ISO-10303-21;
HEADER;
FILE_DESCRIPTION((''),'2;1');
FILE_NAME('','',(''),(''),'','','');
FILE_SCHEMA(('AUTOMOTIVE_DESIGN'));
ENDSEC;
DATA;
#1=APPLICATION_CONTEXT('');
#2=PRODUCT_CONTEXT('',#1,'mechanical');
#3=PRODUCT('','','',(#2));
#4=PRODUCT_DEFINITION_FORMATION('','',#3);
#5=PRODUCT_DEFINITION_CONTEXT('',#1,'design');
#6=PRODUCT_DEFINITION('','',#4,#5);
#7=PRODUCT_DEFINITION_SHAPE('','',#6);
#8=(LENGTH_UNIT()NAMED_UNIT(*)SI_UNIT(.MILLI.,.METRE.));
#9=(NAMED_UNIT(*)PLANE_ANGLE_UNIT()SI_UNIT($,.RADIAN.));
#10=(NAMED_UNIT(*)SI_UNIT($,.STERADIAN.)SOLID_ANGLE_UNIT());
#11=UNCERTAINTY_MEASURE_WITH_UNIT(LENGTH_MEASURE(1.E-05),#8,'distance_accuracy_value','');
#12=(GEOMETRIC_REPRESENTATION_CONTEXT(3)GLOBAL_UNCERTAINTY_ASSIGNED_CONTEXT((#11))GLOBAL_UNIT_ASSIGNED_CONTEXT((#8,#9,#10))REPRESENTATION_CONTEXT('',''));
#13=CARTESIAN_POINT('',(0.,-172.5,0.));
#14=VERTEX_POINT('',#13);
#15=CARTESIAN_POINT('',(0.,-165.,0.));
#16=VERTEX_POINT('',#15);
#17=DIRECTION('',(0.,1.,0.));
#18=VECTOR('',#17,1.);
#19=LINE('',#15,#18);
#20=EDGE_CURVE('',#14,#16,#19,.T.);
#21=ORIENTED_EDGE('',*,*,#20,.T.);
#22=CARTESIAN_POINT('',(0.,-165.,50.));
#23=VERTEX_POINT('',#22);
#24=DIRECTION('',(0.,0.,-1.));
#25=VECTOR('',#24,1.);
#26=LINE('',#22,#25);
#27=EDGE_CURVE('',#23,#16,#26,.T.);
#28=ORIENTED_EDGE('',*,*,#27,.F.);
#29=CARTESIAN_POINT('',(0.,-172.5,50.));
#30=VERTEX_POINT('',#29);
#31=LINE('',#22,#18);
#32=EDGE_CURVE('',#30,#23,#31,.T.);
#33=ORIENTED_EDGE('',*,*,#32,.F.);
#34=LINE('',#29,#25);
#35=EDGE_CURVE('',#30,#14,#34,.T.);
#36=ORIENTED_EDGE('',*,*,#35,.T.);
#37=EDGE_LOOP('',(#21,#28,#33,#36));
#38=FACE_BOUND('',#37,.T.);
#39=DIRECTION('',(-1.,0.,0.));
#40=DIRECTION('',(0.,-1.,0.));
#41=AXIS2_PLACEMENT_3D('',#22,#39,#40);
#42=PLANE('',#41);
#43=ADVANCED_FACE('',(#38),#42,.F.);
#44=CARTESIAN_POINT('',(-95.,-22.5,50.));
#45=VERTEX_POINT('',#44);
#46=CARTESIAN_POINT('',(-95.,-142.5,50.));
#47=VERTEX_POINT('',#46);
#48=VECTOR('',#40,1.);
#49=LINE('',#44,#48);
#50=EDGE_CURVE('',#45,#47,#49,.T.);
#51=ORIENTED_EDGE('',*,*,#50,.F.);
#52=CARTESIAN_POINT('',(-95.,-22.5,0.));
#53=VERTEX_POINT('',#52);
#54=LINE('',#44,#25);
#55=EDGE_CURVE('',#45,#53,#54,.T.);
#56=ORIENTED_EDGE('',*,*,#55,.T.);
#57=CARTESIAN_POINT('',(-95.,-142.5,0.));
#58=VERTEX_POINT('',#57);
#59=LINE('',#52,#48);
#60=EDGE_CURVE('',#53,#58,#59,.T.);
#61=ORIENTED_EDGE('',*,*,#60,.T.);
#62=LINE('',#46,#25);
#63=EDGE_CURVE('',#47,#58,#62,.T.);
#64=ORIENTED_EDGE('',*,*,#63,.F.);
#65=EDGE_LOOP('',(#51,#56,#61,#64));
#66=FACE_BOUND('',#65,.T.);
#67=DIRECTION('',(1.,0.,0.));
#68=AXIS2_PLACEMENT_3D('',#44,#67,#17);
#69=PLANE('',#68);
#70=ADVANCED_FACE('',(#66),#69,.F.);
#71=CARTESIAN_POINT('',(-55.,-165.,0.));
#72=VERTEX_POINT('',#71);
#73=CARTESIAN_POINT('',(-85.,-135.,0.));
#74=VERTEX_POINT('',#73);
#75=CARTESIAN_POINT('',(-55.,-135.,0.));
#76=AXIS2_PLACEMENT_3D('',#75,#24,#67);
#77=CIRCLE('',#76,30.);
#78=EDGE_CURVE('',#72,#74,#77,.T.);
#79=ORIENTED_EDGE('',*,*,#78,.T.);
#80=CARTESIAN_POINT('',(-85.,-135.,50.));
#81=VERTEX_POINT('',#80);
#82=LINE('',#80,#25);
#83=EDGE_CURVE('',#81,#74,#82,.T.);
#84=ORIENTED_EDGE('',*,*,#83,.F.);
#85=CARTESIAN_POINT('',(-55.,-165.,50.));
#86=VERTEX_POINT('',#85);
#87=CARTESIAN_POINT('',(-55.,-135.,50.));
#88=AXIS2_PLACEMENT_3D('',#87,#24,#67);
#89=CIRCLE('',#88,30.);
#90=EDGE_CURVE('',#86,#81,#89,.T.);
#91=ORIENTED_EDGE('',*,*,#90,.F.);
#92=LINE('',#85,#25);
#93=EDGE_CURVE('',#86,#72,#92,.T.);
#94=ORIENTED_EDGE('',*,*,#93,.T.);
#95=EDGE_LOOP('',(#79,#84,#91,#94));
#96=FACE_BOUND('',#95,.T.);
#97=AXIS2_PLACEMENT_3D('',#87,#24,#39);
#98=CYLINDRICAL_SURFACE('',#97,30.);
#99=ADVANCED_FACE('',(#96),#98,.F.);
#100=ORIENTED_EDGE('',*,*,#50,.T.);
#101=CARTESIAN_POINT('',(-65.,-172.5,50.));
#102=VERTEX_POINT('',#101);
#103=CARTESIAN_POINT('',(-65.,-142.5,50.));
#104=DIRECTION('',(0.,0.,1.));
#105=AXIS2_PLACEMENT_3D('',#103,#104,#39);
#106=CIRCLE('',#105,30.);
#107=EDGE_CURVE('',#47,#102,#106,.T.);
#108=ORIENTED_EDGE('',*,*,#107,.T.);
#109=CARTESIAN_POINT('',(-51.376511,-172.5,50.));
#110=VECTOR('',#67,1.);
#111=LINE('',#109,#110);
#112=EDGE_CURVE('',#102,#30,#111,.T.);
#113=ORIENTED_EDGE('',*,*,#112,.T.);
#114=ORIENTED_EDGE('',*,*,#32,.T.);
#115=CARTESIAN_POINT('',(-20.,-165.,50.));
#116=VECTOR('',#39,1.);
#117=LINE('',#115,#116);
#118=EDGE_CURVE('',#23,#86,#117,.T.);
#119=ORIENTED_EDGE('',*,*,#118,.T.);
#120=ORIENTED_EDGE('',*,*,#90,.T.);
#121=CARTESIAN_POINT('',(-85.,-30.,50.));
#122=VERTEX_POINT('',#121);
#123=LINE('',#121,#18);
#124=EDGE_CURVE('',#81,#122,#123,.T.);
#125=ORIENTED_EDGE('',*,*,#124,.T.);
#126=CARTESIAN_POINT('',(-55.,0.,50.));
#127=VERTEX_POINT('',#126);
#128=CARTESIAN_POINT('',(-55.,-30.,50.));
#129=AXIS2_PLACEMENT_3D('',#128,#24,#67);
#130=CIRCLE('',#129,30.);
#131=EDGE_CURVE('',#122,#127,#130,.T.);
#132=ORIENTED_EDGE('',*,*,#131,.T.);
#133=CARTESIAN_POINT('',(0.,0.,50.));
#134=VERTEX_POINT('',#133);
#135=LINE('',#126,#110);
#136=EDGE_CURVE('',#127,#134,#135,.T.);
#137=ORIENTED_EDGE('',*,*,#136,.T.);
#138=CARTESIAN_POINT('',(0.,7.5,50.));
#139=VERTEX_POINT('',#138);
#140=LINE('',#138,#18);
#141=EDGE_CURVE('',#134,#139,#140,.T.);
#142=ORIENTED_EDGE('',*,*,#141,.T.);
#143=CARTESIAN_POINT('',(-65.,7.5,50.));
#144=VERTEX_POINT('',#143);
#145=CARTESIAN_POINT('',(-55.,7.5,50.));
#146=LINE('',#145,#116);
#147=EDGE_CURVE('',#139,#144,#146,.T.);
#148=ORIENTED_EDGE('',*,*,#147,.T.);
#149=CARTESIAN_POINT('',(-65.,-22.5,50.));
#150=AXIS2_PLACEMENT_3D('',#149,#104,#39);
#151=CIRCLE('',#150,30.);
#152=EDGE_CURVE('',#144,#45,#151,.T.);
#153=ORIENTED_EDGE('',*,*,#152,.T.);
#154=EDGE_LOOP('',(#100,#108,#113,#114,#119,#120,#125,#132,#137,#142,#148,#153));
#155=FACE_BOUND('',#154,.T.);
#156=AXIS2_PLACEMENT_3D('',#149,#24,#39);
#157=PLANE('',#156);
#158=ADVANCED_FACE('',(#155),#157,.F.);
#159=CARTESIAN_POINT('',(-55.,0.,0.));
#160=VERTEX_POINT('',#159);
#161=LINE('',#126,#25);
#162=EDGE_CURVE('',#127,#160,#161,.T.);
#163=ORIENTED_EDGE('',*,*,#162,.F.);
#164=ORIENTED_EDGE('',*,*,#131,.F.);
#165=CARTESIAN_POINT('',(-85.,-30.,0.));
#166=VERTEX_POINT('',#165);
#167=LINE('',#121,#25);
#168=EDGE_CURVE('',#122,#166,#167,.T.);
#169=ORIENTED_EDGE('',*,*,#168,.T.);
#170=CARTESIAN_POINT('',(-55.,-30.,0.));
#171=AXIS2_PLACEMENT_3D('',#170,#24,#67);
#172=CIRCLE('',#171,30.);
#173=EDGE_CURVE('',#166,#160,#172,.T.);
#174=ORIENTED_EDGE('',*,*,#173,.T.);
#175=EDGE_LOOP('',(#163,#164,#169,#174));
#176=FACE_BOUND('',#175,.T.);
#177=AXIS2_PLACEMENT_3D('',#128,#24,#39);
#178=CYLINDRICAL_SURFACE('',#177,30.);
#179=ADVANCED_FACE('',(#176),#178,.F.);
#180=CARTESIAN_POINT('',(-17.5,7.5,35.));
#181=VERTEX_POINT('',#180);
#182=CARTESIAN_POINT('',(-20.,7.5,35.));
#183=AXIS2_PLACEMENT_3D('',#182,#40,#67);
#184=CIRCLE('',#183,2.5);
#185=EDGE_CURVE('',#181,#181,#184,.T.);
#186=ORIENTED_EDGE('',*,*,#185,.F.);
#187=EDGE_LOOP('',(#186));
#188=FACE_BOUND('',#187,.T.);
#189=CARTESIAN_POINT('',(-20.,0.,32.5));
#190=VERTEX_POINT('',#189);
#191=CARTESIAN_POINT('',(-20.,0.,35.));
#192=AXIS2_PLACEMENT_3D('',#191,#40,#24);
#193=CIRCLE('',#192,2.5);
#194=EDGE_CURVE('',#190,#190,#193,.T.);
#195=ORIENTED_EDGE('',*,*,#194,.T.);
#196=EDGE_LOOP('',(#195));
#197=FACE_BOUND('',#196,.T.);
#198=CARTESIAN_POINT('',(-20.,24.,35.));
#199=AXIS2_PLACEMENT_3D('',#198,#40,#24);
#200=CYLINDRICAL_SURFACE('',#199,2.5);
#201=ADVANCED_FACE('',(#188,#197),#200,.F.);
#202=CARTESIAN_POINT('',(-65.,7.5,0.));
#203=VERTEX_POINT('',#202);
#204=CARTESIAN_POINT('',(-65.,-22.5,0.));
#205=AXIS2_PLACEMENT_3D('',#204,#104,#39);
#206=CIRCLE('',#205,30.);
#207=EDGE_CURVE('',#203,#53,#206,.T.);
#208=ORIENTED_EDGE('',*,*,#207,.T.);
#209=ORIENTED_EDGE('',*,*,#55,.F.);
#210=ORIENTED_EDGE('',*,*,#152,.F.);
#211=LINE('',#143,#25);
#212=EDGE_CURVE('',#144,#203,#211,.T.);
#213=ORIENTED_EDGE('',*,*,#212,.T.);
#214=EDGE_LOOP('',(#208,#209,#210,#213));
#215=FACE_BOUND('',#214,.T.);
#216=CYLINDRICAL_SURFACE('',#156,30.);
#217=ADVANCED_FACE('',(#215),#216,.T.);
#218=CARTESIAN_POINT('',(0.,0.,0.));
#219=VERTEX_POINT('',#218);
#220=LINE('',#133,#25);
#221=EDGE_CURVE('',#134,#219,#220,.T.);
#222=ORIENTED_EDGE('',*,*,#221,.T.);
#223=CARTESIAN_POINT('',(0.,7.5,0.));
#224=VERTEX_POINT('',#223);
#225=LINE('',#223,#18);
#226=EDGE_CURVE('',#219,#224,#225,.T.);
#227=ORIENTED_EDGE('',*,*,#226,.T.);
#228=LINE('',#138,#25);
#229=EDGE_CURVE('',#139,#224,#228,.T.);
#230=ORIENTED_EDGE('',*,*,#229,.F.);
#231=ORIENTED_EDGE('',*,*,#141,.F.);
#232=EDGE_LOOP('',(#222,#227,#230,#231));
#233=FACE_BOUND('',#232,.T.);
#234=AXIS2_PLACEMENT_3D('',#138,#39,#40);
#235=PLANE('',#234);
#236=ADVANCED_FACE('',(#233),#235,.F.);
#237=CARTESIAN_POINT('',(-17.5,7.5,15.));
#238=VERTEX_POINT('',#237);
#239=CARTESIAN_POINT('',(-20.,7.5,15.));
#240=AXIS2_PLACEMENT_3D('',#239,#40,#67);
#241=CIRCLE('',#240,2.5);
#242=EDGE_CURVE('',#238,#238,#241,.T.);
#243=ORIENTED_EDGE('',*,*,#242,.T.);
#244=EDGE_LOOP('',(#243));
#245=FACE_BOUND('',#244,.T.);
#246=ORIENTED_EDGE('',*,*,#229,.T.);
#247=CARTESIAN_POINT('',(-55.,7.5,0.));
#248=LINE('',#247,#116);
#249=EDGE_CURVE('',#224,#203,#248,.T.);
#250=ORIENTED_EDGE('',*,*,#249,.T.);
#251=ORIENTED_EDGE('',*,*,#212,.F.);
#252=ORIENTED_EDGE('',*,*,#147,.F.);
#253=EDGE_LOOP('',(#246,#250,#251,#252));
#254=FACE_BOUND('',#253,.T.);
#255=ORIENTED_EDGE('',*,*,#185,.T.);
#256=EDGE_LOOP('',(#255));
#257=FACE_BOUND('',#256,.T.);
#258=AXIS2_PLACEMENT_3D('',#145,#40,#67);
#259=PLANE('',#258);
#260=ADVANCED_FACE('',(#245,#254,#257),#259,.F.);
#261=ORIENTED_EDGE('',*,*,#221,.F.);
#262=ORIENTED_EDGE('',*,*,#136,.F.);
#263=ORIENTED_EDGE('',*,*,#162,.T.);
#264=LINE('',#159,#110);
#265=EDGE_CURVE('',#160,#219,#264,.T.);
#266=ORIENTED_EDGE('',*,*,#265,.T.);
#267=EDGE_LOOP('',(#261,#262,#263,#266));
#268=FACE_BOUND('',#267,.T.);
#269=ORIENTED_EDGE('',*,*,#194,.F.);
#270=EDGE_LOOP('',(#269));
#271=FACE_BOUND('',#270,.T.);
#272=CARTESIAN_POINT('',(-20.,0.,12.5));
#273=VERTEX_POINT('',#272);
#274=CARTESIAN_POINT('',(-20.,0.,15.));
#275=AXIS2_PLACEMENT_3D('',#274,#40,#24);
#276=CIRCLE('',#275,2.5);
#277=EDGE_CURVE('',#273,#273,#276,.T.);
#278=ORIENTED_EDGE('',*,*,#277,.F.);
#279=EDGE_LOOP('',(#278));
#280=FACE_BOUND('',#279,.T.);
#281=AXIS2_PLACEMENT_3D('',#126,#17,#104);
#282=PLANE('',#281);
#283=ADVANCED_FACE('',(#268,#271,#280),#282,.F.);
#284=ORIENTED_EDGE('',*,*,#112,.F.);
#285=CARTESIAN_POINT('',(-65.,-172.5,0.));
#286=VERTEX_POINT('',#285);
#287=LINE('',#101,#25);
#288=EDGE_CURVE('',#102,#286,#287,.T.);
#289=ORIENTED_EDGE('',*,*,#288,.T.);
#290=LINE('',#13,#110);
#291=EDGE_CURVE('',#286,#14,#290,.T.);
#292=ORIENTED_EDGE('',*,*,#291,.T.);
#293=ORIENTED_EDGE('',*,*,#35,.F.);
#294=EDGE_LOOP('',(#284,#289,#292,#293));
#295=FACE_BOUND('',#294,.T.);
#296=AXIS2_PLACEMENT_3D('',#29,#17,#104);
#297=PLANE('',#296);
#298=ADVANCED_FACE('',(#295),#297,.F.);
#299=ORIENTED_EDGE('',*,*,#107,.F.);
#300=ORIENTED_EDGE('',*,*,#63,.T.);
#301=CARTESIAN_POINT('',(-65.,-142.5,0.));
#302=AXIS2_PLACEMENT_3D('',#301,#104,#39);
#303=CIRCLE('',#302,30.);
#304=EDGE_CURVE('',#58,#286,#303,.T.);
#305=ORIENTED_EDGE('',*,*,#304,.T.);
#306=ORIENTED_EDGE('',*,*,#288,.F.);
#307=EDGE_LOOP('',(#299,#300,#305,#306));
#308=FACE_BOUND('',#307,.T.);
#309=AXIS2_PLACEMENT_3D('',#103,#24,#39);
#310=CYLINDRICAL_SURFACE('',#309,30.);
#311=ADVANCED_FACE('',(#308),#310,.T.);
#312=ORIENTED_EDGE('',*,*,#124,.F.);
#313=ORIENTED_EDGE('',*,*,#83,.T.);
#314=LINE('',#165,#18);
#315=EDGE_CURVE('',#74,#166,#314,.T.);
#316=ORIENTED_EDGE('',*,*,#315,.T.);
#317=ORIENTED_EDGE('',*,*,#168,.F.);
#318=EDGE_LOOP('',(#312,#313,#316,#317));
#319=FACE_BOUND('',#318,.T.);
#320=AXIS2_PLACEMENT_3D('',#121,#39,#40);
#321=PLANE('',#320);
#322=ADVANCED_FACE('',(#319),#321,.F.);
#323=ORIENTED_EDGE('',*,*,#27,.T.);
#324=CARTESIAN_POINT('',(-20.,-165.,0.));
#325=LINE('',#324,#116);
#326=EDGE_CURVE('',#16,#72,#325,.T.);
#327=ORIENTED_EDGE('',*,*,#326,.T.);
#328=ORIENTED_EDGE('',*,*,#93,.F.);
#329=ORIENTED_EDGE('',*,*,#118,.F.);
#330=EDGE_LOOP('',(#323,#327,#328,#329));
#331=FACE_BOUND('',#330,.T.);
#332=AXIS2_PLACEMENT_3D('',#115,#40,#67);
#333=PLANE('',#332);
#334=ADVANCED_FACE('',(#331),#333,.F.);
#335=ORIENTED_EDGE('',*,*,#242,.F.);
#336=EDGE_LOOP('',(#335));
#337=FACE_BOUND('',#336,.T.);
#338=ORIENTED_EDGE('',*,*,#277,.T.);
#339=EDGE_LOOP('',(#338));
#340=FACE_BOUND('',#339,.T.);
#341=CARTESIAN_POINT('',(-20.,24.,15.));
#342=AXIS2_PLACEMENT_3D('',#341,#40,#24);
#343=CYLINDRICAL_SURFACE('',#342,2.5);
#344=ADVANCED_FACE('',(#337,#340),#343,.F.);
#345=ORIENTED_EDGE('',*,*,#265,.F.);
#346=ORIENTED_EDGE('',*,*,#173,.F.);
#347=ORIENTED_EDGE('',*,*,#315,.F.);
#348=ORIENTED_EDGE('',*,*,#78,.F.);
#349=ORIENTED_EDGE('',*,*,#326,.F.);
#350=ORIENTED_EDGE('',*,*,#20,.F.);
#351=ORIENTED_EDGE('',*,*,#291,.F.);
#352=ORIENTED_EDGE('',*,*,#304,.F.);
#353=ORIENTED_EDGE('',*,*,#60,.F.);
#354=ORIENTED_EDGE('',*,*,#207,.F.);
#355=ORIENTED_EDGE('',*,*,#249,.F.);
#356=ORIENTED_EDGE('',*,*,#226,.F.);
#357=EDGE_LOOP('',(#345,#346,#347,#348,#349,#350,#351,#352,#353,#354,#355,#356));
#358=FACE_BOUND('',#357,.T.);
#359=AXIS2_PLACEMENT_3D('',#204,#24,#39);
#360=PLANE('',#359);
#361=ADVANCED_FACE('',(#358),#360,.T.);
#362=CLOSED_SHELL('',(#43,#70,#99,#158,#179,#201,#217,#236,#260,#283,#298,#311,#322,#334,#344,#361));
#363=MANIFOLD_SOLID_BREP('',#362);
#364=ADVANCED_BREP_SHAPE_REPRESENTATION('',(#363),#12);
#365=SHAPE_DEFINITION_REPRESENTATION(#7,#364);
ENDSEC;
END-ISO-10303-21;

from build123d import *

# Parameters (mm, degrees)
BOSS_EXTRUDE1_DEPTH = 50
SKETCH3_R           = 2.5
CUT_EXTRUDE1_DEPTH  = 24


with BuildPart() as part:
    # Sketch1 → Boss-Extrude1 (new body)
    with BuildSketch(Plane.XY):
        with BuildLine():
            Line((-20, -165), (0, -165))
            Line((0, -165), (0, -172.5))
            Line((0, -172.5), (-51.3765108, -172.5))
            Line((-51.3765108, -172.5), (-65, -172.5))
            ThreePointArc((-65, -172.5), (-86.213203436, -163.713203436), (-95, -142.5))
            Line((-95, -142.5), (-95, -22.5))
            ThreePointArc((-95, -22.5), (-86.213203436, -1.286796564), (-65, 7.5))
            Line((-65, 7.5), (-55, 7.5))
            Line((-55, 7.5), (0, 7.5))
            Line((0, 7.5), (0, 0))
            Line((0, 0), (-55, 0))
            ThreePointArc((-55, 0), (-76.213203436, -8.786796564), (-85, -30))
            Line((-85, -30), (-85, -135))
            ThreePointArc((-85, -135), (-76.213203436, -156.213203436), (-55, -165))
            Line((-55, -165), (-20, -165))
        make_face()
    extrude(amount=BOSS_EXTRUDE1_DEPTH)

    # Sketch3 → Cut-Extrude1 (cut)
    with BuildSketch(Plane.XZ):
        with Locations(Location((-20, 35, 0), (0, 0, 270))):
            Circle(SKETCH3_R)
        with Locations(Location((-20, 15, 0), (0, 0, 270))):
            Circle(SKETCH3_R)
    extrude(amount=-CUT_EXTRUDE1_DEPTH, mode=Mode.SUBTRACT)


solid = part.part
